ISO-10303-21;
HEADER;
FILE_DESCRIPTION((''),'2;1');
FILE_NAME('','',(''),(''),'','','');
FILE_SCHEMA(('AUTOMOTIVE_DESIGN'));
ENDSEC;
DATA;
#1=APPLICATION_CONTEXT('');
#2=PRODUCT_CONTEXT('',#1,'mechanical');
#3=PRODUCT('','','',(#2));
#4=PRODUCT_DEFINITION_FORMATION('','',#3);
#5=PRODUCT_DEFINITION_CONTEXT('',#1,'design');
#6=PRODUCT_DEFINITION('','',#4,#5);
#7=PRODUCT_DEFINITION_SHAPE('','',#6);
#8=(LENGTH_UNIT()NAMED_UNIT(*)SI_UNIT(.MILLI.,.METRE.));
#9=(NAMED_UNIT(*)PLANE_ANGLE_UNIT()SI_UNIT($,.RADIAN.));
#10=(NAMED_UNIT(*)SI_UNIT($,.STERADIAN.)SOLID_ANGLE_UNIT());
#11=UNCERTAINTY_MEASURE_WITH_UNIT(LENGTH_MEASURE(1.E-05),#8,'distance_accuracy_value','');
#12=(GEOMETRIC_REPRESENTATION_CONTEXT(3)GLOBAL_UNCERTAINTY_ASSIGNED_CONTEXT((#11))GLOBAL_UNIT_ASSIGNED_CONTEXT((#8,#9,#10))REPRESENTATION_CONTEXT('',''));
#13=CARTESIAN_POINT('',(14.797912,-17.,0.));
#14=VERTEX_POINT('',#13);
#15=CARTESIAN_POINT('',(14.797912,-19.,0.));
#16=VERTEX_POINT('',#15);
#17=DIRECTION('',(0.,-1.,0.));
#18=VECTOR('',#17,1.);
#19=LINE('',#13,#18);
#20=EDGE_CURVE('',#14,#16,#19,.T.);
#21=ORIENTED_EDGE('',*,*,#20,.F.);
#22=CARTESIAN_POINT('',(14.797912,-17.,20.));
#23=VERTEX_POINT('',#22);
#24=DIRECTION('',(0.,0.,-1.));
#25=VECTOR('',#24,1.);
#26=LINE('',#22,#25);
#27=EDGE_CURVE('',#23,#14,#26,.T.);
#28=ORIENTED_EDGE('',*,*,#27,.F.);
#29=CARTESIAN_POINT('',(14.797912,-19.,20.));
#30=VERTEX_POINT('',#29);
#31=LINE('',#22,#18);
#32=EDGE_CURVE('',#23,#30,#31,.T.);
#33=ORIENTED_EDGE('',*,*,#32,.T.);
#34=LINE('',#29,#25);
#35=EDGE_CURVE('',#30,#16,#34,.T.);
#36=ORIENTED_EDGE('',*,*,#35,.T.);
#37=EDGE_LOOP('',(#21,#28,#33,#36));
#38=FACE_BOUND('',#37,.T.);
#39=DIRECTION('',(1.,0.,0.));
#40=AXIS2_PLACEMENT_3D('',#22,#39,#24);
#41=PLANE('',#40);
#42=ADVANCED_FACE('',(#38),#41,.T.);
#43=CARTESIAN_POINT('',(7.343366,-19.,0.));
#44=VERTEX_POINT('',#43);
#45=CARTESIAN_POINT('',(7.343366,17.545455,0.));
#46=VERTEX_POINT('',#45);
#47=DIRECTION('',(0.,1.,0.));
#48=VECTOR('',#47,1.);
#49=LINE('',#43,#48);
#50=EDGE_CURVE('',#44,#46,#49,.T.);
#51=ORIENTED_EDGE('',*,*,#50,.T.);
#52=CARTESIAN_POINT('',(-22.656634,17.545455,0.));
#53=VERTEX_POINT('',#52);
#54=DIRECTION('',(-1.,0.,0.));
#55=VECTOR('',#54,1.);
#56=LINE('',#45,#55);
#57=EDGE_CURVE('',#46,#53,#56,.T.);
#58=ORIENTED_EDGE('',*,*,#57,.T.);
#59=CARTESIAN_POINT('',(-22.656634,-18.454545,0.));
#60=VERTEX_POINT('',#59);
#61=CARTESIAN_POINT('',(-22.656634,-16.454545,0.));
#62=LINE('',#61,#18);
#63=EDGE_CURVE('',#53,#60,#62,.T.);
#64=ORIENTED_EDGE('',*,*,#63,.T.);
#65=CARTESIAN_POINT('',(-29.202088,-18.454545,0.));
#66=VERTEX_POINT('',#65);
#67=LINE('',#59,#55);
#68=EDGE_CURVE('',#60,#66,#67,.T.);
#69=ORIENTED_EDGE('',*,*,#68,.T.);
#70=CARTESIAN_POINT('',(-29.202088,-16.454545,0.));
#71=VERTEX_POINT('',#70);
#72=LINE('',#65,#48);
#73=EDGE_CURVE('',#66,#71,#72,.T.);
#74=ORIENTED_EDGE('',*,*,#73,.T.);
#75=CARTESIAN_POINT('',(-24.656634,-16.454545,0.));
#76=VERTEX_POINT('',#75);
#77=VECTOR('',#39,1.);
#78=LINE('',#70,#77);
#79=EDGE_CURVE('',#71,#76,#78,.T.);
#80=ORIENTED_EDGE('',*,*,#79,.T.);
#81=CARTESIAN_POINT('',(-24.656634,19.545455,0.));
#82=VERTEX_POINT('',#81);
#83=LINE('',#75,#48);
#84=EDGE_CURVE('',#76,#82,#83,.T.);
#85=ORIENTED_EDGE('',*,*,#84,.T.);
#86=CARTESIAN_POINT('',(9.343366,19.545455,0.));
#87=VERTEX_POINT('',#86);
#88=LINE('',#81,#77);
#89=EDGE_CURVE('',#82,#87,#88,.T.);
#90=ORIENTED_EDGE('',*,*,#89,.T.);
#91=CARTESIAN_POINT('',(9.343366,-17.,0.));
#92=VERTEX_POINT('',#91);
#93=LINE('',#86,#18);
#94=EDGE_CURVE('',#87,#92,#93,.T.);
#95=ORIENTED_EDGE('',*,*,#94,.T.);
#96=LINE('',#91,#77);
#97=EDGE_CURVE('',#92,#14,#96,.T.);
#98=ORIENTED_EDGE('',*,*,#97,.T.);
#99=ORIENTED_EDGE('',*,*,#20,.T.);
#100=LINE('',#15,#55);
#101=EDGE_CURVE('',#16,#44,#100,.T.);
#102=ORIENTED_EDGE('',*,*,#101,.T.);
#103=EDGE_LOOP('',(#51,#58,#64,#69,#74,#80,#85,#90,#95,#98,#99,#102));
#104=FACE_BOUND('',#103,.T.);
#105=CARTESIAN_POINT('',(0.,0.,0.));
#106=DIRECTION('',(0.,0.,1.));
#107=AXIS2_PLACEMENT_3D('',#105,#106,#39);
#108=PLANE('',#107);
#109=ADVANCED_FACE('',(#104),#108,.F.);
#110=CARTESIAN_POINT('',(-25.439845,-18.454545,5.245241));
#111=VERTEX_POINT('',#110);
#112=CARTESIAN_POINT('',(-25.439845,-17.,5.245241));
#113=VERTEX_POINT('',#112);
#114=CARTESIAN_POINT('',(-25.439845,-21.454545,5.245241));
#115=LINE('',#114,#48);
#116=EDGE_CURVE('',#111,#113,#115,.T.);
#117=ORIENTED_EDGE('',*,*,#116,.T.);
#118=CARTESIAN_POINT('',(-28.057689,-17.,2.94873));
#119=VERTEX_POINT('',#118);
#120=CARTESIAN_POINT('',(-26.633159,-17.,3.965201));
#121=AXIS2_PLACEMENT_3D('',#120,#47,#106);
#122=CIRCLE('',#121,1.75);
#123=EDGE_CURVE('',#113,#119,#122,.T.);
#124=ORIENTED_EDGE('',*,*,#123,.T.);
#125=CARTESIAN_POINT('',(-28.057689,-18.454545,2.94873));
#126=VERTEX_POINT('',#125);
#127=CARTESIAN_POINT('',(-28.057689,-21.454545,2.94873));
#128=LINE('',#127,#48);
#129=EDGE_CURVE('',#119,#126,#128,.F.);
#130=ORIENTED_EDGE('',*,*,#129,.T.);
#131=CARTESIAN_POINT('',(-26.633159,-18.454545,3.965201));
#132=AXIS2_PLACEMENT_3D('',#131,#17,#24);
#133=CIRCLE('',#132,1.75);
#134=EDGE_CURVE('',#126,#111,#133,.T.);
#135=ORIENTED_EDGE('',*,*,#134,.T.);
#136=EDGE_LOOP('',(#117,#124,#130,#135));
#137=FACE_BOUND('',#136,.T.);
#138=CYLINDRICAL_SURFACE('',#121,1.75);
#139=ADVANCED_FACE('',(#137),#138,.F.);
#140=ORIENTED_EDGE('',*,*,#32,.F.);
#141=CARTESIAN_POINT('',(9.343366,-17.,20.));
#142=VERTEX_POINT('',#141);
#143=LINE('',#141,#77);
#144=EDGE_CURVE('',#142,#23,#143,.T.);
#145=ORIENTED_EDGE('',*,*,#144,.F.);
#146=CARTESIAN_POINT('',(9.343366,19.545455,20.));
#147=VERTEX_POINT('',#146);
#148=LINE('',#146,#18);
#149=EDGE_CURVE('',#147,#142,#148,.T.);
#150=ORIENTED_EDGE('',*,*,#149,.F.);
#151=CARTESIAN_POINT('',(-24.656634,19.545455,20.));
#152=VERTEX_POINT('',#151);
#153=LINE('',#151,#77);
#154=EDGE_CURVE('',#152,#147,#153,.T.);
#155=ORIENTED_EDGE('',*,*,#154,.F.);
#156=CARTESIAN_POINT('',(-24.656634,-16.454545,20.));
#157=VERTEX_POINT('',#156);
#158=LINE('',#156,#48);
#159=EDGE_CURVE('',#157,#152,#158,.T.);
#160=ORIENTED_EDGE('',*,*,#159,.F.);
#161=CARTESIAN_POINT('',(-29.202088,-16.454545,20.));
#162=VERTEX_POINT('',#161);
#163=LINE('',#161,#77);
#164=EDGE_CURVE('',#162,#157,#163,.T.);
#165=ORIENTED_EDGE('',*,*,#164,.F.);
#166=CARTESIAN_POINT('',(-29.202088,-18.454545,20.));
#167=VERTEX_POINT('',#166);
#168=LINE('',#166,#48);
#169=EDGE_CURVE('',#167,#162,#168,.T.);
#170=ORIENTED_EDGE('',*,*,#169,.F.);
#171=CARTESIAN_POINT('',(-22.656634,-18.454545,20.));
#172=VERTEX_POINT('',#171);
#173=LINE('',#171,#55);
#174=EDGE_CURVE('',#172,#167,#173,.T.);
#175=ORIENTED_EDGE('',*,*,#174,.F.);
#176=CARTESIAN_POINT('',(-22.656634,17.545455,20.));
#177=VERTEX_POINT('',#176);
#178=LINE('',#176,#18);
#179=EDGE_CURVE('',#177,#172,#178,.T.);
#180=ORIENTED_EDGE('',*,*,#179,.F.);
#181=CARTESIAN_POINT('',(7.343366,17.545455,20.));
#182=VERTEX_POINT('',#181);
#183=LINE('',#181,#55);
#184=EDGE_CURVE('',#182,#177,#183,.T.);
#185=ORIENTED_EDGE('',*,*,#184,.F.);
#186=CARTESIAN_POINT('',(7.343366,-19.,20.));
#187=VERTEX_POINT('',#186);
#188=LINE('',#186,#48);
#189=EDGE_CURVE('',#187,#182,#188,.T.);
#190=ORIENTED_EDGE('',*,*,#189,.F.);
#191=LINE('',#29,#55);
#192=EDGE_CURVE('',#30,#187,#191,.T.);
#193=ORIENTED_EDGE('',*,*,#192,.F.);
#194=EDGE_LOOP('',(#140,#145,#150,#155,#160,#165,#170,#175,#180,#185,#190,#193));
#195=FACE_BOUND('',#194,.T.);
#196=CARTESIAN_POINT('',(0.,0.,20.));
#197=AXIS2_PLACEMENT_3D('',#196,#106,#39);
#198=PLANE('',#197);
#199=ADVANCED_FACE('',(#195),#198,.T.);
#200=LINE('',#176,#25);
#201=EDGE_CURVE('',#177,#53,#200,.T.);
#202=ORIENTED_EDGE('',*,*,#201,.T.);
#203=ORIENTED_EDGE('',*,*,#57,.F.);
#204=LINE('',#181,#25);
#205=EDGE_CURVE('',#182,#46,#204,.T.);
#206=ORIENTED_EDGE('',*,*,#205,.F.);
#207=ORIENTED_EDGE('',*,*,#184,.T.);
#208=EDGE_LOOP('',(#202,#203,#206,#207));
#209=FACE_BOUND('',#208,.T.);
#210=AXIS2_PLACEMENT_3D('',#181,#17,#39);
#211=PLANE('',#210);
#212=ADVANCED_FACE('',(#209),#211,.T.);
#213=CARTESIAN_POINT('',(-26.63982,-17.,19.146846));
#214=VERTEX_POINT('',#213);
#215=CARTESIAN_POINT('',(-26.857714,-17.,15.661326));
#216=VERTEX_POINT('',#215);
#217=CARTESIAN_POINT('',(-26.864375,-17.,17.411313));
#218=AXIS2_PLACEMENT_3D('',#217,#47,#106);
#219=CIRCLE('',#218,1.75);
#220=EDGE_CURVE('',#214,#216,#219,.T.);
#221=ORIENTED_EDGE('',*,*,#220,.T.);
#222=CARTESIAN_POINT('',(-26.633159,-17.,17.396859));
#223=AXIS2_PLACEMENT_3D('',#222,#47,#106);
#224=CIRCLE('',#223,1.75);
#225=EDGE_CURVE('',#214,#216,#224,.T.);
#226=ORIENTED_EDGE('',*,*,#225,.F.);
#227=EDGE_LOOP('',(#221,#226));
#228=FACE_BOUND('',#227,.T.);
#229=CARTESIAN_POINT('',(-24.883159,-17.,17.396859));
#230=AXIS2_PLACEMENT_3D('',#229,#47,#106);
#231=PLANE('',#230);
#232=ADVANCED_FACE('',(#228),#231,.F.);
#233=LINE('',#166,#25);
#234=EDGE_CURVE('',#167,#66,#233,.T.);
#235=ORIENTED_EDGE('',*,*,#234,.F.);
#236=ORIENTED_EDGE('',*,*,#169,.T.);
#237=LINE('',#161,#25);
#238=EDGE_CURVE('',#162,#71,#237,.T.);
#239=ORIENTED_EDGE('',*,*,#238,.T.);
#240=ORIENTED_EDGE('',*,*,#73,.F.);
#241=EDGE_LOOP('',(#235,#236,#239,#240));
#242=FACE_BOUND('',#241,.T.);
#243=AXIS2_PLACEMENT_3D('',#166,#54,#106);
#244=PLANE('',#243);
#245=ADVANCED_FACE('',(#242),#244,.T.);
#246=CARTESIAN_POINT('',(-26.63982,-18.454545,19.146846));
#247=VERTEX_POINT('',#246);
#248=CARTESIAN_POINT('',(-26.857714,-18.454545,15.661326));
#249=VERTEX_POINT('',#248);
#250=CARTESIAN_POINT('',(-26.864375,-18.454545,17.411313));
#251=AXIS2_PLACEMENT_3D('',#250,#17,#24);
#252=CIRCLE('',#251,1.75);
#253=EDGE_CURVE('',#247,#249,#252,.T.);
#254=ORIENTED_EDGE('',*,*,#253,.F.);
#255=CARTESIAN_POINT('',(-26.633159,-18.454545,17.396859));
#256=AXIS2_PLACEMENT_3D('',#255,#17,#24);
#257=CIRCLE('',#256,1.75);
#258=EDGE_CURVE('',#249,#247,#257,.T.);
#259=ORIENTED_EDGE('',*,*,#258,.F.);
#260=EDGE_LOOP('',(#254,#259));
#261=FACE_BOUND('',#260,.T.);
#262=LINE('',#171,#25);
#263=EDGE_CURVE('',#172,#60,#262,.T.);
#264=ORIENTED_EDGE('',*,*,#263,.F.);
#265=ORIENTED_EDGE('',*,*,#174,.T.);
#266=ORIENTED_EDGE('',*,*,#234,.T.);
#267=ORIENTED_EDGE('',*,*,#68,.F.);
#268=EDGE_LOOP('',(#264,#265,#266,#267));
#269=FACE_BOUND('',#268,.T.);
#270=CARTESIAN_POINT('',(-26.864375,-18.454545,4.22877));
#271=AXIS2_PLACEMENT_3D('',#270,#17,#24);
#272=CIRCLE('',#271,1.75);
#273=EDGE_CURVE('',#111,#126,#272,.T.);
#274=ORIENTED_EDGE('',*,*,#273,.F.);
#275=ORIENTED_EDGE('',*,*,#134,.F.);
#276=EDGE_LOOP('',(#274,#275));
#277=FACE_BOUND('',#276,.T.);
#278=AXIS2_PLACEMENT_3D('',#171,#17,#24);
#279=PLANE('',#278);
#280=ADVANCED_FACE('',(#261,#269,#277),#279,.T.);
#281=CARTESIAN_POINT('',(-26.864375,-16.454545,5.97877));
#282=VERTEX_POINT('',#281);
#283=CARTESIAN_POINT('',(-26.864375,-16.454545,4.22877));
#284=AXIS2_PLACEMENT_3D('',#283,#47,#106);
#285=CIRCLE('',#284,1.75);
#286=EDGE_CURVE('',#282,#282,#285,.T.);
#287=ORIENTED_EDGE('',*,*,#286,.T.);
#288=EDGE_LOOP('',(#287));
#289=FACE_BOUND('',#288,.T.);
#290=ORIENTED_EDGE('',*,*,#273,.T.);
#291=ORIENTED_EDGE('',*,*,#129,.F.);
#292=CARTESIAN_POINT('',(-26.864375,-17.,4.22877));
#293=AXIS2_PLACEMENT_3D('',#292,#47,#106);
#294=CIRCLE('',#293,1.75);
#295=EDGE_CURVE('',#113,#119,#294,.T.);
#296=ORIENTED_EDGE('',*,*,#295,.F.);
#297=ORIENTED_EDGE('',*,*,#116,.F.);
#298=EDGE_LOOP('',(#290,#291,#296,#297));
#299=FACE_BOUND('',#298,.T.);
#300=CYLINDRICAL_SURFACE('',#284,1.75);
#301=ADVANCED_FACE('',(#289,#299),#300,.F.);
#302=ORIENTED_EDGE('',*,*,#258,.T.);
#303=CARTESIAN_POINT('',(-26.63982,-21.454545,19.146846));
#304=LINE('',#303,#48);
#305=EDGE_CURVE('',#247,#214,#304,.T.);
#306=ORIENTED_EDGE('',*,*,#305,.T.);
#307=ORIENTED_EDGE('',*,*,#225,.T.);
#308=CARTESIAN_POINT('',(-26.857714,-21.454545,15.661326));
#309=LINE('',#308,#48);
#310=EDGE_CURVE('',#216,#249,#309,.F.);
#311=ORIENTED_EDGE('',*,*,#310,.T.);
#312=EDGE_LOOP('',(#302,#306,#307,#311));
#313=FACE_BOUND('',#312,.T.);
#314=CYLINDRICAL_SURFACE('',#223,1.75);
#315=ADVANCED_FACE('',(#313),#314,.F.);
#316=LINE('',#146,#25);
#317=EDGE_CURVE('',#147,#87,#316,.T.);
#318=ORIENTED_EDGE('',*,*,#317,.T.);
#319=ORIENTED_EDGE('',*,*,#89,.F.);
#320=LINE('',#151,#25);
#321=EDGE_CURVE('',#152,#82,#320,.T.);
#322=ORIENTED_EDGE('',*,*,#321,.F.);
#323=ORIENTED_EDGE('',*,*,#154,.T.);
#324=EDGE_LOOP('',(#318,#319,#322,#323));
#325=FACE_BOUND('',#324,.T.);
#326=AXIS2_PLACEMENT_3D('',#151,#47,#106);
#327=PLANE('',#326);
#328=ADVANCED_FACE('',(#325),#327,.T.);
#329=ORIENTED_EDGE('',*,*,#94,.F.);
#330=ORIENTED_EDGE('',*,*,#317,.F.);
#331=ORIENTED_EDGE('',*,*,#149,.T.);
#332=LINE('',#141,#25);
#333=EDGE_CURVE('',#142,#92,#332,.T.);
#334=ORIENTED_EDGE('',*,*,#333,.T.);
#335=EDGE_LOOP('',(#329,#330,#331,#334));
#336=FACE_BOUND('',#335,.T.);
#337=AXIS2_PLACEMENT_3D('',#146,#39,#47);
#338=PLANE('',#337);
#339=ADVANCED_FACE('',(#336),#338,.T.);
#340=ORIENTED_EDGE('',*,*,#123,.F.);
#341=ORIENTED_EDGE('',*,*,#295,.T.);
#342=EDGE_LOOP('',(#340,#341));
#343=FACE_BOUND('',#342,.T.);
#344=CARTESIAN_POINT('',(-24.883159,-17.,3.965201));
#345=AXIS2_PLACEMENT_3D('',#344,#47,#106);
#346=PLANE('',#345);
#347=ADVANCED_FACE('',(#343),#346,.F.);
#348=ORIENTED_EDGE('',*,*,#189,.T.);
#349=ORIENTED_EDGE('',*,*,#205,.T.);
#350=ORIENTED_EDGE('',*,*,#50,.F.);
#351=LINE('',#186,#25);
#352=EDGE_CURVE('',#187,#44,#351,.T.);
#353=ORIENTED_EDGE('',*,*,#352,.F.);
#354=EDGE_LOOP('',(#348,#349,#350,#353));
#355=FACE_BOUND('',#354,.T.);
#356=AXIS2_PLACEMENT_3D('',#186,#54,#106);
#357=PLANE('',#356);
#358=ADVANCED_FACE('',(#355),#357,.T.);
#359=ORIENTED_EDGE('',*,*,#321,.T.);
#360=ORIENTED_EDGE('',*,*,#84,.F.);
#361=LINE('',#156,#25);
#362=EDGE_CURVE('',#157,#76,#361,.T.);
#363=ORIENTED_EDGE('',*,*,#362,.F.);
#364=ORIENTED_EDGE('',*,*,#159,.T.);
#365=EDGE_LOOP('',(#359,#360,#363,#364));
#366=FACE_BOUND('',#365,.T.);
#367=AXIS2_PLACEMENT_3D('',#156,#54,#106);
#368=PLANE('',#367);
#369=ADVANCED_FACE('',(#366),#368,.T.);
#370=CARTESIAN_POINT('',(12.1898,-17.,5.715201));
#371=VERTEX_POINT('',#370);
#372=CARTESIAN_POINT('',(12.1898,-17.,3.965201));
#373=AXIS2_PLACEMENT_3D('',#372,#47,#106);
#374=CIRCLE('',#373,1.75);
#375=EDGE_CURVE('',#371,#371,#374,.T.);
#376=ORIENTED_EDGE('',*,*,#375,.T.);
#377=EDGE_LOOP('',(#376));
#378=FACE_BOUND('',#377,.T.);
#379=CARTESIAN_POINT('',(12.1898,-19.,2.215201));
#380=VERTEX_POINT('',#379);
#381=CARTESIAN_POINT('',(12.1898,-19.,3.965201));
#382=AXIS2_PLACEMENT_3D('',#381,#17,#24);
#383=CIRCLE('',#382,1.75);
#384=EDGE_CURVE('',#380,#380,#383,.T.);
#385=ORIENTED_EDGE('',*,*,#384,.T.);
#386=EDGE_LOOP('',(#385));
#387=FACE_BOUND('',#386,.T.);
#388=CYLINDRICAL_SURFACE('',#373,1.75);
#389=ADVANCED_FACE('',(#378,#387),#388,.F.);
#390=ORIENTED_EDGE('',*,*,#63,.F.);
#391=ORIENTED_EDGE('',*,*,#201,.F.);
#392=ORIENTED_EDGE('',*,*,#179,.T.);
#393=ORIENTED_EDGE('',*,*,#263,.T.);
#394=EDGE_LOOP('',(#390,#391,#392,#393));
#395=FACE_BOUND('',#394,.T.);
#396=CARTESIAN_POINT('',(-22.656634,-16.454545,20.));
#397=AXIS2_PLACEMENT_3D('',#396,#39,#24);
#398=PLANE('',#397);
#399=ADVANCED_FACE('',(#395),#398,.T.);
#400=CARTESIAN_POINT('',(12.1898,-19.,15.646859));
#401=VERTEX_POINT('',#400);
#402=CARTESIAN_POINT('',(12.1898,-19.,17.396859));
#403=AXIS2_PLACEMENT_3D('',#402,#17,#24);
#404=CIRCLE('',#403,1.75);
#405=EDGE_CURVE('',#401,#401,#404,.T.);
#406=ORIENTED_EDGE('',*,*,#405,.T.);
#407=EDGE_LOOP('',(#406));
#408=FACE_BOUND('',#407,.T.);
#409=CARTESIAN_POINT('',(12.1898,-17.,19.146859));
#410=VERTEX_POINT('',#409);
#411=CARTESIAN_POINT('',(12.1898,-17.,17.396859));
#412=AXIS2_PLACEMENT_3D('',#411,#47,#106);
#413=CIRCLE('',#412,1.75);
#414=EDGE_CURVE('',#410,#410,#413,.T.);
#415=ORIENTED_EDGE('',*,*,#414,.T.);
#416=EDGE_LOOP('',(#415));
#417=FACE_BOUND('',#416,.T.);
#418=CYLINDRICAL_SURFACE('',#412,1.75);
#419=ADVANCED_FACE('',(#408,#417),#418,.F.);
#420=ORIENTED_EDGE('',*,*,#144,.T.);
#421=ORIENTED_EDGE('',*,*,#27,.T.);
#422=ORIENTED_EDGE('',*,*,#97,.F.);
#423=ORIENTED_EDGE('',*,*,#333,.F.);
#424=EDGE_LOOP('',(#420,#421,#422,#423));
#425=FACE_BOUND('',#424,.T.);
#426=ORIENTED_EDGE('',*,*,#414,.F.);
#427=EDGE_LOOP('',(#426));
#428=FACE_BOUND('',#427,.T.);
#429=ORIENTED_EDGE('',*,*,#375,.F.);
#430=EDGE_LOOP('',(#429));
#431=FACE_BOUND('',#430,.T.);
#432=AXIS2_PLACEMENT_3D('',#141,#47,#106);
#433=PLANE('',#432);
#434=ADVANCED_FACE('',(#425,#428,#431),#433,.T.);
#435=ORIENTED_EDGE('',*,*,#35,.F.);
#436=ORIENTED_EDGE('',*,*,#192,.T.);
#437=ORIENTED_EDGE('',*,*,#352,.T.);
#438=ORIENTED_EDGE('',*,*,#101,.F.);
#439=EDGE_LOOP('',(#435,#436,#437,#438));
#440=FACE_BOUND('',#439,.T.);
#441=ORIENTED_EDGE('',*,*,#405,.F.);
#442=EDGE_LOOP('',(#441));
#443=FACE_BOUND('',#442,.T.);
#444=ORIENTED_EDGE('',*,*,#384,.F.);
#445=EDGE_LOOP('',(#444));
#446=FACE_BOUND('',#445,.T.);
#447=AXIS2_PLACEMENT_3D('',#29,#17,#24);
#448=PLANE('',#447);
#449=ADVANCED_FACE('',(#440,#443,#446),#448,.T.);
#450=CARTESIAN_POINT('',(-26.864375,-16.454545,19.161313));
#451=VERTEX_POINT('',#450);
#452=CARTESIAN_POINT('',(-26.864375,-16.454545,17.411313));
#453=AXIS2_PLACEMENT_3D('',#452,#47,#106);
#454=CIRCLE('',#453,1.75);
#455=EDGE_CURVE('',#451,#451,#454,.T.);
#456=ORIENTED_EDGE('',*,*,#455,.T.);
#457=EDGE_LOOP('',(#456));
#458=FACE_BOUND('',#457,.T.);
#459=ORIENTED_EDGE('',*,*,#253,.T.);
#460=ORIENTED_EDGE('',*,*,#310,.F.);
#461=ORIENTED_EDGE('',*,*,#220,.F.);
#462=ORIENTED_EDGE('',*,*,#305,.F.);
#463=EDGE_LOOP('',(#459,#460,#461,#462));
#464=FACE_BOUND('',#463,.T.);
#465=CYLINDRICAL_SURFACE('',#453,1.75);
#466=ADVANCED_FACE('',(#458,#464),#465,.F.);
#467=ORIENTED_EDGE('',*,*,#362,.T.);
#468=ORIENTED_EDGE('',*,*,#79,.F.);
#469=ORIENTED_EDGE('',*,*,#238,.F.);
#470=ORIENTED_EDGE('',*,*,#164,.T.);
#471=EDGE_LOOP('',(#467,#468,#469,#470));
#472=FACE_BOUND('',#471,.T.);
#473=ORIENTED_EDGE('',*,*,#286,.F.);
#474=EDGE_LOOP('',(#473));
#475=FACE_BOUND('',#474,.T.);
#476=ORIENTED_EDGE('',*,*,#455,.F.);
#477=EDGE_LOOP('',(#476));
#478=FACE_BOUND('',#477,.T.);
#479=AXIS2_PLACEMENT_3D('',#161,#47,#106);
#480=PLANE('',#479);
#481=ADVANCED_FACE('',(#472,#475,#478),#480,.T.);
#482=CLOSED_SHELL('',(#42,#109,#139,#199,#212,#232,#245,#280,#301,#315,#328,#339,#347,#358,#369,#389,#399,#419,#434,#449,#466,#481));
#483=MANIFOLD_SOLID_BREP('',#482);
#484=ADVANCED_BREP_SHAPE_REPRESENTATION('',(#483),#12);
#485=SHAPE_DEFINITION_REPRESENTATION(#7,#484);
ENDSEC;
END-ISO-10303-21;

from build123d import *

# Parameters (mm, degrees)
RESSALTO_EXTRUS_O1_DEPTH                      = 20
BROCA_DE_ROSQUEAR_PARA_HELICOIDE_M31_AT_COUNT = 2
BROCA_DE_ROSQUEAR_PARA_HELICOIDE_M31_AT_PITCH = 13.431658115
BROCA_DE_ROSQUEAR_PARA_HELICOIDE_M31_2_COUNT  = 2
BROCA_DE_ROSQUEAR_PARA_HELICOIDE_M31_2_PITCH  = 38.822958194
BROCA_DE_ROSQUEAR_PARA_HELICOIDE_M31_3_COUNT  = 2
BROCA_DE_ROSQUEAR_PARA_HELICOIDE_M31_3_PITCH  = 41.080792624
BROCA_DE_ROSQUEAR_PARA_HELICOIDE_M32_D        = 3.5
BROCA_DE_ROSQUEAR_PARA_HELICOIDE_M32_DEPTH    = 10
BROCA_DE_ROSQUEAR_PARA_HELICOIDE_M32_TIP      = 1.051506083


with BuildPart() as part:
    # Esboço1 → Ressalto-extrusão1 (new body)
    with BuildSketch(Plane.XY):
        Polygon((-29.202088452, -18.454545455), (-29.202088452, -16.454545455), (-24.656633907, -16.454545455), (-24.656633907, 19.545454545), (9.343366093, 19.545454545), (9.343366093, -17), (14.797911548, -17), (14.797911548, -19), (7.343366093, -19), (7.343366093, 17.545454545), (-22.656633907, 17.545454545), (-22.656633907, -16.454545455), (-22.656633907, -18.454545455), align=None)
    extrude(amount=RESSALTO_EXTRUS_O1_DEPTH)

    # Esboço3 → Broca de rosquear para helicoide M31 (revolve, cut)
    with BuildSketch(Plane(origin=(12.189799686, -17, 3.965200957), x_dir=(0, 0, 1), z_dir=(1, 0, 0))):
        Polygon((0, 0), (0, 11.051506083), (1.75, 10), (1.75, 0), align=None)
    broca_de_rosquear_para_helicoide_m31 = revolve(axis=Axis((12.189799686, -10.65, 3.965200957), (0, -1, 0)), mode=Mode.SUBTRACT)

    # Broca de rosquear para helicoide M31 at: Broca de rosquear para helicoide M31 ×2
    with Locations(*[(0, 0, i * BROCA_DE_ROSQUEAR_PARA_HELICOIDE_M31_AT_PITCH) for i in range(1, BROCA_DE_ROSQUEAR_PARA_HELICOIDE_M31_AT_COUNT)]):
        add(broca_de_rosquear_para_helicoide_m31, mode=Mode.SUBTRACT)

    # Broca de rosquear para helicoide M31 2: Broca de rosquear para helicoide M31 ×2
    with Locations(*[(-i * BROCA_DE_ROSQUEAR_PARA_HELICOIDE_M31_2_PITCH, 0, 0) for i in range(1, BROCA_DE_ROSQUEAR_PARA_HELICOIDE_M31_2_COUNT)]):
        add(broca_de_rosquear_para_helicoide_m31, mode=Mode.SUBTRACT)

    # Broca de rosquear para helicoide M31 3: Broca de rosquear para helicoide M31 ×2
    with Locations(*[Vector(-0.9450391707113346, 0, 0.3269571314732758) * (i * BROCA_DE_ROSQUEAR_PARA_HELICOIDE_M31_3_PITCH) for i in range(1, BROCA_DE_ROSQUEAR_PARA_HELICOIDE_M31_3_COUNT)]):
        add(broca_de_rosquear_para_helicoide_m31, mode=Mode.SUBTRACT)

    # Broca de rosquear para helicoide M32
    with Locations(Plane(origin=(0, -16.454545455, 0), x_dir=(1, 0, 0), z_dir=(0, 1, 0))):
        with Locations((-26.864375338, -17.411313342), (-26.864375338, -4.228770119)):
            Hole(BROCA_DE_ROSQUEAR_PARA_HELICOIDE_M32_D / 2, depth=BROCA_DE_ROSQUEAR_PARA_HELICOIDE_M32_DEPTH)
            with Locations((0, 0, -(BROCA_DE_ROSQUEAR_PARA_HELICOIDE_M32_DEPTH + BROCA_DE_ROSQUEAR_PARA_HELICOIDE_M32_TIP / 2))):  # 118° drill point
                Cone(0, BROCA_DE_ROSQUEAR_PARA_HELICOIDE_M32_D / 2, BROCA_DE_ROSQUEAR_PARA_HELICOIDE_M32_TIP, mode=Mode.SUBTRACT)


solid = part.part
